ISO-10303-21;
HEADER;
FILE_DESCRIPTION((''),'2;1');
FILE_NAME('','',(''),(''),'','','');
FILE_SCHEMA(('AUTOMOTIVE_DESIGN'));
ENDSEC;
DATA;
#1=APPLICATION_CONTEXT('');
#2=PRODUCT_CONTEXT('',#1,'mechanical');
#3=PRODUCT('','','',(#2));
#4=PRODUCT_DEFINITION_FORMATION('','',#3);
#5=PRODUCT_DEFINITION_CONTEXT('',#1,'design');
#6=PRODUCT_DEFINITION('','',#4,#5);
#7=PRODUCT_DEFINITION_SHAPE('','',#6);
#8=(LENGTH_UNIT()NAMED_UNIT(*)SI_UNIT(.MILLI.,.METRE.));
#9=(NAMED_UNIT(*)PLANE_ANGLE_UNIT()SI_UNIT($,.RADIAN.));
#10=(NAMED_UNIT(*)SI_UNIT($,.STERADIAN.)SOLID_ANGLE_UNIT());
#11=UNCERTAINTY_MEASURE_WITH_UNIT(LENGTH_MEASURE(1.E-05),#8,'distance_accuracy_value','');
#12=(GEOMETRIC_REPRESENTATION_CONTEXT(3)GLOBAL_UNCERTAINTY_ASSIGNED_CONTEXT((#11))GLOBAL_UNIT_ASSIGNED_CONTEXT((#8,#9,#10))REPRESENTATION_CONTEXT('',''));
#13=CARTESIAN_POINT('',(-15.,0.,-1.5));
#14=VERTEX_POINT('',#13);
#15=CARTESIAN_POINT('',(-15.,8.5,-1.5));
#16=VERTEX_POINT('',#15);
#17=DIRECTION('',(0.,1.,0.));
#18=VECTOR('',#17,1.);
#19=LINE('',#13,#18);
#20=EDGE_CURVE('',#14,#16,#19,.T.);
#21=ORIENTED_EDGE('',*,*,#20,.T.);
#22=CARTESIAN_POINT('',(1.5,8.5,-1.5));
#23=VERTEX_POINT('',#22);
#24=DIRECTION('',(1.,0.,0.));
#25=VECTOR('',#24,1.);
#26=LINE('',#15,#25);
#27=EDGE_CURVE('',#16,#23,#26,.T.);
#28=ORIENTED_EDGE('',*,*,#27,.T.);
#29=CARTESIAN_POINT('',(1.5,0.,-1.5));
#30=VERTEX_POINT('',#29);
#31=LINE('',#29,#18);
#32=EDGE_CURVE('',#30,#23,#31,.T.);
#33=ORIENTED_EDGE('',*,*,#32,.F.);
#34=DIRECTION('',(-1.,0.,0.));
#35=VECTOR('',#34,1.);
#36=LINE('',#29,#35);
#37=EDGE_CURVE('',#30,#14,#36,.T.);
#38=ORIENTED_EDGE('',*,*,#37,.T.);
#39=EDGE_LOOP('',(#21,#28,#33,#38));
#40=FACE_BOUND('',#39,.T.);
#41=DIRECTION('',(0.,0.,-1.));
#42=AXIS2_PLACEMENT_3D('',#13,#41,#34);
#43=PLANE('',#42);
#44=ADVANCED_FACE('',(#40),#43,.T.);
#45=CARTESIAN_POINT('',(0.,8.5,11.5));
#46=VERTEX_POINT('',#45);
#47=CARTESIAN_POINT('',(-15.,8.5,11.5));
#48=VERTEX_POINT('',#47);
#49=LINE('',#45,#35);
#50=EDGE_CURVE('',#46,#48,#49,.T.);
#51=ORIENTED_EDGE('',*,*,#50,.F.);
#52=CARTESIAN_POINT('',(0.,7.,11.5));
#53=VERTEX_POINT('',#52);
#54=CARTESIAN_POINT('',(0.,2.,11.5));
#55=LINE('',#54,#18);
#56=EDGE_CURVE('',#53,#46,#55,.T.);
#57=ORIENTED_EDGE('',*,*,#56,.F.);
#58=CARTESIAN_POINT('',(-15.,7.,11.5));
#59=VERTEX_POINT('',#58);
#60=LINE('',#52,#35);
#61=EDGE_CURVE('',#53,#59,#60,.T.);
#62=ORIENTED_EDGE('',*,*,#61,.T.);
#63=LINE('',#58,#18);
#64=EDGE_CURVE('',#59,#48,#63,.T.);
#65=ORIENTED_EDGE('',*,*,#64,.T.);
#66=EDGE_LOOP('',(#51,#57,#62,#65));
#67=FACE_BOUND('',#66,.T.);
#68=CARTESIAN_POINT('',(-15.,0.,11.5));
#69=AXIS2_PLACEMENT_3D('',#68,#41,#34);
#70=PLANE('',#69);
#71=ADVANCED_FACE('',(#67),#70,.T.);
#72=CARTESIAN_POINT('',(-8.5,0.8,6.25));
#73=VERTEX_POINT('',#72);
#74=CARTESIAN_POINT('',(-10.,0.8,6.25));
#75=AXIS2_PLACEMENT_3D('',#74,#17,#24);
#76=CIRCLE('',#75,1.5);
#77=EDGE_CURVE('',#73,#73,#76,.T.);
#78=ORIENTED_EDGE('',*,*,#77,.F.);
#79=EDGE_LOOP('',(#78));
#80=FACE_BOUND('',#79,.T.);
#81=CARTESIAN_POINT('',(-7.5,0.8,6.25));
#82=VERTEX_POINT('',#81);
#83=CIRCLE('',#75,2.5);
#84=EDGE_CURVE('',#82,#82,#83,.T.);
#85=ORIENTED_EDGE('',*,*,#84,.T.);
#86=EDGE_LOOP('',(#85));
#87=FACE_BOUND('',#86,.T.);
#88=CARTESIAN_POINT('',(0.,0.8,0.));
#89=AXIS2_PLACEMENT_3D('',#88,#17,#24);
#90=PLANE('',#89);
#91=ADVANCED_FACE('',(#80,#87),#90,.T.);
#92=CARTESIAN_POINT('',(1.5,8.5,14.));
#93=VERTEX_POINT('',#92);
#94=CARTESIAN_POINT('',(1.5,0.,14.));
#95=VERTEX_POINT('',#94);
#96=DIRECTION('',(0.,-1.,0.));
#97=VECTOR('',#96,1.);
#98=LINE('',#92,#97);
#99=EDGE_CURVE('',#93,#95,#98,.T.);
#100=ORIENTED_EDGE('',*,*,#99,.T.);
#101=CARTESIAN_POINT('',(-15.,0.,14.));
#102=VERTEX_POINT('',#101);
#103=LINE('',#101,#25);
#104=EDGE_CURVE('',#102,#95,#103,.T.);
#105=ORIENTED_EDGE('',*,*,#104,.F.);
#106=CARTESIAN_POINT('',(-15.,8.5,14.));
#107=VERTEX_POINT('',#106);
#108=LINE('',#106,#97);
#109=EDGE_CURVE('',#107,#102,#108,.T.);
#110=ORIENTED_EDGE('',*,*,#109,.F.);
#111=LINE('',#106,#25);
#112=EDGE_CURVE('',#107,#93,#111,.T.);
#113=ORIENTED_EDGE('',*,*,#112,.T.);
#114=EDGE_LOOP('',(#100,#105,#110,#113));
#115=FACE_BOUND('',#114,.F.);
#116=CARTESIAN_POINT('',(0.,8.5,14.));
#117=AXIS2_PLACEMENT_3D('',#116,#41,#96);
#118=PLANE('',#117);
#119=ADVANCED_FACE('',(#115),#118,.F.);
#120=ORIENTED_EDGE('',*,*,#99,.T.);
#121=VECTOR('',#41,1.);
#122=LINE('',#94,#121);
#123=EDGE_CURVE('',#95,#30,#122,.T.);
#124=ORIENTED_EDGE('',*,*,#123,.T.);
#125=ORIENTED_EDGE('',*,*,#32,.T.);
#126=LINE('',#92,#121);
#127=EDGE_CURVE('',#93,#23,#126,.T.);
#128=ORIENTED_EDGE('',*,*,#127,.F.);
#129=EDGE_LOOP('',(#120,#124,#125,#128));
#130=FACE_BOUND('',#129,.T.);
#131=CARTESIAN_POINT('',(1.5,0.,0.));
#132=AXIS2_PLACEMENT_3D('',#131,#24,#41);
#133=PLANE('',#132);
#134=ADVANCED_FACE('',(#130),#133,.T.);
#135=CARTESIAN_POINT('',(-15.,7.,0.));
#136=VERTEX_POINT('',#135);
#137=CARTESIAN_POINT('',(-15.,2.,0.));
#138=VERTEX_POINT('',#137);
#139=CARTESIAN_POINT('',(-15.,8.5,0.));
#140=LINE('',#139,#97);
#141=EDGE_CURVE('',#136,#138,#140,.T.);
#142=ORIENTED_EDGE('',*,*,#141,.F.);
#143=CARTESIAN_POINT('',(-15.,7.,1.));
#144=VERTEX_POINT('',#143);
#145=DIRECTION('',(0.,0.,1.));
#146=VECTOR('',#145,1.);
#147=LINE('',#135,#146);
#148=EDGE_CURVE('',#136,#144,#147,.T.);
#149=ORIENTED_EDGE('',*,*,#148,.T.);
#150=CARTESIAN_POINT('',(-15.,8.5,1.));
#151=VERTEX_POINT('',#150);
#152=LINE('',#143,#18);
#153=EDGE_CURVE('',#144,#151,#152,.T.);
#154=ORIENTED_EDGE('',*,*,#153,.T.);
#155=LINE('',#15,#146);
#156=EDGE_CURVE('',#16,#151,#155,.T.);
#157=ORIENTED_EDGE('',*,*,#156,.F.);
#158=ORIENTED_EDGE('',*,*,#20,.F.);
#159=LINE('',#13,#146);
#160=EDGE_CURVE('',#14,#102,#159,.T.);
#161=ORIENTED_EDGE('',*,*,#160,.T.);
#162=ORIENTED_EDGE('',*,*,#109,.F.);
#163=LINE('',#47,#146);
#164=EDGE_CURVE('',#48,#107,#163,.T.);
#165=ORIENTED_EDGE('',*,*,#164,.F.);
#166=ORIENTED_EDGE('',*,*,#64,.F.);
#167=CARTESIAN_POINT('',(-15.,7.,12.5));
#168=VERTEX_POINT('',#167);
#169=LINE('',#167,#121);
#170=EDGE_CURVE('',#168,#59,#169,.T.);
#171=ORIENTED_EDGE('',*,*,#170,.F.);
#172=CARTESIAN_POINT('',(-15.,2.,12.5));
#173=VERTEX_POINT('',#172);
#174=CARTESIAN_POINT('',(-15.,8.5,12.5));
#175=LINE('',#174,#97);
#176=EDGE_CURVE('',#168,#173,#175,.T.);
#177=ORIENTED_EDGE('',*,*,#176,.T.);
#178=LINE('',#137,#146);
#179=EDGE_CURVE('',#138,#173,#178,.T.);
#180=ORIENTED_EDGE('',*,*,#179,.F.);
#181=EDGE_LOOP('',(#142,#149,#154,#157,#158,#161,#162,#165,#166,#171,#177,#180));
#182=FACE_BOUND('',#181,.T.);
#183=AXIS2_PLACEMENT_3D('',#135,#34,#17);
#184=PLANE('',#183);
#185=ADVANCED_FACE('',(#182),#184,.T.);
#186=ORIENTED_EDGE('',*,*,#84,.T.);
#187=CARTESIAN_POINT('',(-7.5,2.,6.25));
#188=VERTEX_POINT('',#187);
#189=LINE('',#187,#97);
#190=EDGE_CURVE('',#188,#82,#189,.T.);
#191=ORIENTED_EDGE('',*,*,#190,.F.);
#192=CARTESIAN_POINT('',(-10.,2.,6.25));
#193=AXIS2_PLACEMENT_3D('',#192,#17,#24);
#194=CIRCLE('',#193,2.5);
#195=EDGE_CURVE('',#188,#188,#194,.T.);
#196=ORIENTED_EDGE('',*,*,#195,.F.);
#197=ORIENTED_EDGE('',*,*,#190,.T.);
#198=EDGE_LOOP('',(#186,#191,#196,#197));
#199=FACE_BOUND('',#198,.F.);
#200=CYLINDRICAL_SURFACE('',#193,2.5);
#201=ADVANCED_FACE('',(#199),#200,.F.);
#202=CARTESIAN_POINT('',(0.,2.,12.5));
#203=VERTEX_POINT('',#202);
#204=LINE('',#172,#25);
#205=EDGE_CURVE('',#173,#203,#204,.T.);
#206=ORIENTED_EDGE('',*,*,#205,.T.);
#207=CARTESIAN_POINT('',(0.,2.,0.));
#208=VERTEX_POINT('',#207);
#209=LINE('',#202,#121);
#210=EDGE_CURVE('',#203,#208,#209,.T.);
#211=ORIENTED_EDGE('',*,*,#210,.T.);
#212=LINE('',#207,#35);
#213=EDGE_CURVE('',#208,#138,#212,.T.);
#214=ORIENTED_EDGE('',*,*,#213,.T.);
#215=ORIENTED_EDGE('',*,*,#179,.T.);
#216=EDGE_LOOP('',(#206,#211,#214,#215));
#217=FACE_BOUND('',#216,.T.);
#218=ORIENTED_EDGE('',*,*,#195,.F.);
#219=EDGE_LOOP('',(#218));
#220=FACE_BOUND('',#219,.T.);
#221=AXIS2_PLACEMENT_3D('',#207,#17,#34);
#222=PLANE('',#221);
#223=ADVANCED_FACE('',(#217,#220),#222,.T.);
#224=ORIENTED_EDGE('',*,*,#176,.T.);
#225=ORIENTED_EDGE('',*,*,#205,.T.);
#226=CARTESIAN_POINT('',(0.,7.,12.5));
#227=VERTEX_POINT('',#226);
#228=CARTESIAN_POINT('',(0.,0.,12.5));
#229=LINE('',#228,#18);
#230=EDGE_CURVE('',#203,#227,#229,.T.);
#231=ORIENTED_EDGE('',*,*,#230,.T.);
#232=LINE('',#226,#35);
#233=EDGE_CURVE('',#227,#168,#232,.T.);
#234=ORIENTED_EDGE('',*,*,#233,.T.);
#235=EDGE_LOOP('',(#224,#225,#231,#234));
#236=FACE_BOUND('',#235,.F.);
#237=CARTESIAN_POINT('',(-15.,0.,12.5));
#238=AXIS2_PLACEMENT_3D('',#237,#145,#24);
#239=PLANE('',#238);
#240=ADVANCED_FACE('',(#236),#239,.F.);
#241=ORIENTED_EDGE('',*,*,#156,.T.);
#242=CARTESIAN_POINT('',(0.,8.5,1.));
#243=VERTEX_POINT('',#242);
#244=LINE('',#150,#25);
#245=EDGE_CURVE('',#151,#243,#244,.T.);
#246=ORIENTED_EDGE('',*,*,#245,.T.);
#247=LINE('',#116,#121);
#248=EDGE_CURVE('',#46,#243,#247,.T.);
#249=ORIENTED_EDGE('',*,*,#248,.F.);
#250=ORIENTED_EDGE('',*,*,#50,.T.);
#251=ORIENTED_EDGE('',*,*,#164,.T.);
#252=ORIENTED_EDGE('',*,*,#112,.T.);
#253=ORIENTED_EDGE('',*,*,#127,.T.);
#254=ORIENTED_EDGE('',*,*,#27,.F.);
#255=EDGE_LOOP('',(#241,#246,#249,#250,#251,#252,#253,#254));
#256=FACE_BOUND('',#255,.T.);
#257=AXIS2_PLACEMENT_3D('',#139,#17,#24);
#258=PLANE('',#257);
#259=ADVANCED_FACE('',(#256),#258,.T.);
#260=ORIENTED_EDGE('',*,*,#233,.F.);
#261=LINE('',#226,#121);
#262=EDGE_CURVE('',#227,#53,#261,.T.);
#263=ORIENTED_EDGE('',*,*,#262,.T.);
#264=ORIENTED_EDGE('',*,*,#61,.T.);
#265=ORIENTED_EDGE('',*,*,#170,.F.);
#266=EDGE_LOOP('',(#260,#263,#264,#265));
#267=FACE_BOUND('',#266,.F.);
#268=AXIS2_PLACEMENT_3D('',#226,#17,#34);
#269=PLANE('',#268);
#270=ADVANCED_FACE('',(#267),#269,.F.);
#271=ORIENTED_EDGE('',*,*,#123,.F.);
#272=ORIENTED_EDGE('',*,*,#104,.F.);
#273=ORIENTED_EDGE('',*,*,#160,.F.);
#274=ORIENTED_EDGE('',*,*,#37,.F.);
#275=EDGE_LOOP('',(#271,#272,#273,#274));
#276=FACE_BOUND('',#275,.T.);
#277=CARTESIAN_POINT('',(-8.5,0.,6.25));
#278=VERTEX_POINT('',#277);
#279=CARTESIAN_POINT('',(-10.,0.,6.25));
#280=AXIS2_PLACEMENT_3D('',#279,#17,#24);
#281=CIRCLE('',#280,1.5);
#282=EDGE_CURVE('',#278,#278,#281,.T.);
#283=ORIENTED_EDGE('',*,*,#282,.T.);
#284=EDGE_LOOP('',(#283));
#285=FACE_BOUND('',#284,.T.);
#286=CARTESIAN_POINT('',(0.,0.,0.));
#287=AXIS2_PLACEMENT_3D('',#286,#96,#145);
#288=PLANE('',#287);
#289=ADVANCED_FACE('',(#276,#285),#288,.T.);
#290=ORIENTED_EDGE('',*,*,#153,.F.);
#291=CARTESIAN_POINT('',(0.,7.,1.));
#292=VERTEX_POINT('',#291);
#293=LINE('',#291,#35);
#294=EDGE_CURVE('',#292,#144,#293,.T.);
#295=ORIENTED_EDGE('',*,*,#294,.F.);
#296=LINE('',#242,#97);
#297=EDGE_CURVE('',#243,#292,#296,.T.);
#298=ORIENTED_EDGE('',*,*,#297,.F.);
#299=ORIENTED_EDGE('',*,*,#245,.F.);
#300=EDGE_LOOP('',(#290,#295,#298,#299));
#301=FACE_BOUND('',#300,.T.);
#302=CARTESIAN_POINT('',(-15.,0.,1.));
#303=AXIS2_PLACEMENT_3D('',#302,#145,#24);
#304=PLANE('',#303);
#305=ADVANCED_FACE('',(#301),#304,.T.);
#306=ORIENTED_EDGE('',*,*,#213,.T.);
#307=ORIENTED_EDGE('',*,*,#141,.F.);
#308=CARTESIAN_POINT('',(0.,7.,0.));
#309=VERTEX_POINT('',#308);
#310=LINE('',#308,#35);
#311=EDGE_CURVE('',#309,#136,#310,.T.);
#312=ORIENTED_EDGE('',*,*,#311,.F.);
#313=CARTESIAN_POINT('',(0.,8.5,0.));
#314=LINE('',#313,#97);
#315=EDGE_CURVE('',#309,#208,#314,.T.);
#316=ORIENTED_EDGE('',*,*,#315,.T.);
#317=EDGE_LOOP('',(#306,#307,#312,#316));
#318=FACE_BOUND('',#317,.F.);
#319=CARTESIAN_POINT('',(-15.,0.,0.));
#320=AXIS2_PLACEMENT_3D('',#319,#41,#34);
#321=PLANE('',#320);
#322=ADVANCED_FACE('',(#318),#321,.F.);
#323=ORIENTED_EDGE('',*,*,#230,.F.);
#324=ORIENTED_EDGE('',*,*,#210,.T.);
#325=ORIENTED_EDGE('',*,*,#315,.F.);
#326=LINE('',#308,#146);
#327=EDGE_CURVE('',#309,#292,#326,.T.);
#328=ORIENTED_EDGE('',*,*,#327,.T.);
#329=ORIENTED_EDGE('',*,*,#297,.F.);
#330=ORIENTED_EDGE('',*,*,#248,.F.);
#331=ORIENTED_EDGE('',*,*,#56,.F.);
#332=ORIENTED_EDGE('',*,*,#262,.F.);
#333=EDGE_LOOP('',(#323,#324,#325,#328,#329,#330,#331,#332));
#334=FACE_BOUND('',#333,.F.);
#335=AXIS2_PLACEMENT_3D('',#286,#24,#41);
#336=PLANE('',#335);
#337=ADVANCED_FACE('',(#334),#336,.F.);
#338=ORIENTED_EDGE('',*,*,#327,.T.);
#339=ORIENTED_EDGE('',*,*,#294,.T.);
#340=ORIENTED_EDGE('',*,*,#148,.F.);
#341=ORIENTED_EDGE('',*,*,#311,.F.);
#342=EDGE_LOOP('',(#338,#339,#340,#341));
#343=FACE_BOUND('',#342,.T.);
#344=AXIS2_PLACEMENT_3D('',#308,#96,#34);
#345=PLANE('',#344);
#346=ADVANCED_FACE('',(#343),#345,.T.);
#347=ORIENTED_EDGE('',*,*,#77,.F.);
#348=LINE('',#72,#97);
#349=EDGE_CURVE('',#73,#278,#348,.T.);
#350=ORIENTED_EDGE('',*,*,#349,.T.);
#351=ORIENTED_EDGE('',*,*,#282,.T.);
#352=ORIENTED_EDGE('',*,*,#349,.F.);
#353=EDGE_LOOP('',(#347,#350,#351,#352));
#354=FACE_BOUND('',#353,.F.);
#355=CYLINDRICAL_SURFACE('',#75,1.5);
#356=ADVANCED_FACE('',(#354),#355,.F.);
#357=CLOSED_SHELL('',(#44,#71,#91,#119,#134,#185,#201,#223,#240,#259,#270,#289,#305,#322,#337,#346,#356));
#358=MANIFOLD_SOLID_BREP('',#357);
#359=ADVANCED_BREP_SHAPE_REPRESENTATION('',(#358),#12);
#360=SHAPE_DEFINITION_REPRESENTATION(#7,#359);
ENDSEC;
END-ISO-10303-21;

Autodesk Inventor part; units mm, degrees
ref_plane "YZ Plane" through (0, 0, 0) normal (1, 0, 0) x (0, 1, 0)
ref_plane "XZ Plane" through (0, 0, 0) normal (0, 1, 0) x (-1, 0, 0)
ref_plane "XY Plane" through (0, 0, 0) normal (0, 0, 1) x (1, 0, 0)
sketch "Sketch1" plane through (0, 0, 0) normal (0, 1, 0) x (-1, 0, 0)
  line L0 (0, 0) -> (15, 0)
  line L1 (15, 0) -> (15, 12.5)
  line L2 (15, 12.5) -> (0, 12.5)
  line L3 (0, 12.5) -> (0, 0)
  dimension "d0" = 15
  dimension "d1" = 12.5
extrude "Extrusion1" add sketch "Sketch1" along normal blind 2
sketch "Sketch2" plane through (-15, 0, 12.5) normal (0, 0, 1) x (1, 0, 0)
  line L0 (0, 0) -> (15, 0)
  line L1 (15, 0) -> (15, 8.5)
  line L2 (15, 8.5) -> (0, 8.5)
  line L3 (0, 8.5) -> (0, 0)
  point P0 (15, 0)
  dimension "d4" = 8.5
  dimension "d5" = 15
extrude "Extrusion2" add sketch "Sketch2" along normal blind 1.5
sketch "Sketch3" plane through (0, 0, 0) normal (1, 0, 0) x (0, 0, -1)
  line L0 (-14, 8.5) -> (-14, 0) projected
  line L1 (-14, 8.5) -> (0, 8.5)
  line L2 (0, 8.5) -> (0, 0)
  line L3 (0, 0) -> (-14, 0)
  line L4 (-14, 0) -> (-14, 8.5)
  point P0 (-14, 0)
extrude "Extrusion3" add sketch "Sketch3" along normal blind 1.5
sketch "Sketch4" plane through (-15, 0, 12.5) normal (0, 0, -1) x (-1, 0, 0)
  line L0 (-15, 8.5) -> (0, 8.5) projected
  line L1 (-15, 2) -> (-15, 8.5) projected
  line L2 (0, 8.5) -> (-15, 8.5)
  line L3 (-15, 8.5) -> (-15, 7)
  line L4 (-15, 7) -> (0, 7)
  line L5 (0, 7) -> (0, 8.5)
  point P0 (-15, 0)
  dimension "d11" = 1.5
extrude "Extrusion4" add sketch "Sketch4" along normal blind 1
sketch "Sketch5" plane through (0, 2, 0) normal (0, 1, 0) x (1, 0, 0)
  circle A0 centre (-10, -6.25) radius 2.5
  line L0 (-15, 0) -> (-15, -12.5) projected
  line L1 (-15, -14) -> (1.5, -14) projected
  point P0 (0, 0)
  dimension "d14" = 5
  dimension "d15" = 5
  dimension "d28" = 7.75
extrude "Extrusion5" cut sketch "Sketch5" against normal blind 1.2
sketch "Sketch6" plane through (-10, 0.8, 6.25) normal (0, 1, 0) x (1, 0, 0)
  circle A0 centre (0, 0) radius 2.5 projected
  circle A1 centre (0, 0) radius 1.5
  point P0 (10, 6.25)
  dimension "d29" = 3
extrude "Extrusion6" cut sketch "Sketch6" against normal blind 1.2 contours A1
sketch "Sketch7" plane through (-15, 0, 0) normal (0, 0, -1) x (-1, 0, 0)
  line L0 (-16.5, 0) -> (0, 0)
  line L1 (0, 0) -> (0, 2)
  line L2 (0, 2) -> (-16.5, 2)
  line L3 (-16.5, 2) -> (-16.5, 0)
  line L4 (-15, 8.5) -> (-16.5, 8.5) projected
  line L5 (-16.5, 2) -> (-15, 2)
  line L6 (-15, 2) -> (-15, 8.5)
  line L7 (-15, 8.5) -> (-16.5, 8.5)
  line L8 (-16.5, 8.5) -> (-16.5, 2)
  line L9 (0, 8.5) -> (-15, 8.5) projected
  line L10 (-15, 2) -> (0, 2)
  line L11 (0, 2) -> (0, 8.5)
  line L12 (0, 8.5) -> (-15, 8.5)
  line L13 (-15, 8.5) -> (-15, 2)
  point P0 (-15, 0)
extrude "Extrusion7" add sketch "Sketch7" along normal blind 1.5
sketch "Sketch8" plane through (-15, 0, 0) normal (0, 0, 1) x (1, 0, 0)
  line L0 (0, 8.5) -> (15, 8.5) projected
  line L1 (0, 8.5) -> (15, 8.5)
  line L2 (15, 8.5) -> (15, 7)
  line L3 (15, 7) -> (0, 7)
  line L4 (0, 7) -> (0, 8.5)
  point P0 (15, 0)
  dimension "d25" = 1.5
extrude "Extrusion8" add sketch "Sketch8" along normal blind 1
properties part number "LuftSensorHållare"
